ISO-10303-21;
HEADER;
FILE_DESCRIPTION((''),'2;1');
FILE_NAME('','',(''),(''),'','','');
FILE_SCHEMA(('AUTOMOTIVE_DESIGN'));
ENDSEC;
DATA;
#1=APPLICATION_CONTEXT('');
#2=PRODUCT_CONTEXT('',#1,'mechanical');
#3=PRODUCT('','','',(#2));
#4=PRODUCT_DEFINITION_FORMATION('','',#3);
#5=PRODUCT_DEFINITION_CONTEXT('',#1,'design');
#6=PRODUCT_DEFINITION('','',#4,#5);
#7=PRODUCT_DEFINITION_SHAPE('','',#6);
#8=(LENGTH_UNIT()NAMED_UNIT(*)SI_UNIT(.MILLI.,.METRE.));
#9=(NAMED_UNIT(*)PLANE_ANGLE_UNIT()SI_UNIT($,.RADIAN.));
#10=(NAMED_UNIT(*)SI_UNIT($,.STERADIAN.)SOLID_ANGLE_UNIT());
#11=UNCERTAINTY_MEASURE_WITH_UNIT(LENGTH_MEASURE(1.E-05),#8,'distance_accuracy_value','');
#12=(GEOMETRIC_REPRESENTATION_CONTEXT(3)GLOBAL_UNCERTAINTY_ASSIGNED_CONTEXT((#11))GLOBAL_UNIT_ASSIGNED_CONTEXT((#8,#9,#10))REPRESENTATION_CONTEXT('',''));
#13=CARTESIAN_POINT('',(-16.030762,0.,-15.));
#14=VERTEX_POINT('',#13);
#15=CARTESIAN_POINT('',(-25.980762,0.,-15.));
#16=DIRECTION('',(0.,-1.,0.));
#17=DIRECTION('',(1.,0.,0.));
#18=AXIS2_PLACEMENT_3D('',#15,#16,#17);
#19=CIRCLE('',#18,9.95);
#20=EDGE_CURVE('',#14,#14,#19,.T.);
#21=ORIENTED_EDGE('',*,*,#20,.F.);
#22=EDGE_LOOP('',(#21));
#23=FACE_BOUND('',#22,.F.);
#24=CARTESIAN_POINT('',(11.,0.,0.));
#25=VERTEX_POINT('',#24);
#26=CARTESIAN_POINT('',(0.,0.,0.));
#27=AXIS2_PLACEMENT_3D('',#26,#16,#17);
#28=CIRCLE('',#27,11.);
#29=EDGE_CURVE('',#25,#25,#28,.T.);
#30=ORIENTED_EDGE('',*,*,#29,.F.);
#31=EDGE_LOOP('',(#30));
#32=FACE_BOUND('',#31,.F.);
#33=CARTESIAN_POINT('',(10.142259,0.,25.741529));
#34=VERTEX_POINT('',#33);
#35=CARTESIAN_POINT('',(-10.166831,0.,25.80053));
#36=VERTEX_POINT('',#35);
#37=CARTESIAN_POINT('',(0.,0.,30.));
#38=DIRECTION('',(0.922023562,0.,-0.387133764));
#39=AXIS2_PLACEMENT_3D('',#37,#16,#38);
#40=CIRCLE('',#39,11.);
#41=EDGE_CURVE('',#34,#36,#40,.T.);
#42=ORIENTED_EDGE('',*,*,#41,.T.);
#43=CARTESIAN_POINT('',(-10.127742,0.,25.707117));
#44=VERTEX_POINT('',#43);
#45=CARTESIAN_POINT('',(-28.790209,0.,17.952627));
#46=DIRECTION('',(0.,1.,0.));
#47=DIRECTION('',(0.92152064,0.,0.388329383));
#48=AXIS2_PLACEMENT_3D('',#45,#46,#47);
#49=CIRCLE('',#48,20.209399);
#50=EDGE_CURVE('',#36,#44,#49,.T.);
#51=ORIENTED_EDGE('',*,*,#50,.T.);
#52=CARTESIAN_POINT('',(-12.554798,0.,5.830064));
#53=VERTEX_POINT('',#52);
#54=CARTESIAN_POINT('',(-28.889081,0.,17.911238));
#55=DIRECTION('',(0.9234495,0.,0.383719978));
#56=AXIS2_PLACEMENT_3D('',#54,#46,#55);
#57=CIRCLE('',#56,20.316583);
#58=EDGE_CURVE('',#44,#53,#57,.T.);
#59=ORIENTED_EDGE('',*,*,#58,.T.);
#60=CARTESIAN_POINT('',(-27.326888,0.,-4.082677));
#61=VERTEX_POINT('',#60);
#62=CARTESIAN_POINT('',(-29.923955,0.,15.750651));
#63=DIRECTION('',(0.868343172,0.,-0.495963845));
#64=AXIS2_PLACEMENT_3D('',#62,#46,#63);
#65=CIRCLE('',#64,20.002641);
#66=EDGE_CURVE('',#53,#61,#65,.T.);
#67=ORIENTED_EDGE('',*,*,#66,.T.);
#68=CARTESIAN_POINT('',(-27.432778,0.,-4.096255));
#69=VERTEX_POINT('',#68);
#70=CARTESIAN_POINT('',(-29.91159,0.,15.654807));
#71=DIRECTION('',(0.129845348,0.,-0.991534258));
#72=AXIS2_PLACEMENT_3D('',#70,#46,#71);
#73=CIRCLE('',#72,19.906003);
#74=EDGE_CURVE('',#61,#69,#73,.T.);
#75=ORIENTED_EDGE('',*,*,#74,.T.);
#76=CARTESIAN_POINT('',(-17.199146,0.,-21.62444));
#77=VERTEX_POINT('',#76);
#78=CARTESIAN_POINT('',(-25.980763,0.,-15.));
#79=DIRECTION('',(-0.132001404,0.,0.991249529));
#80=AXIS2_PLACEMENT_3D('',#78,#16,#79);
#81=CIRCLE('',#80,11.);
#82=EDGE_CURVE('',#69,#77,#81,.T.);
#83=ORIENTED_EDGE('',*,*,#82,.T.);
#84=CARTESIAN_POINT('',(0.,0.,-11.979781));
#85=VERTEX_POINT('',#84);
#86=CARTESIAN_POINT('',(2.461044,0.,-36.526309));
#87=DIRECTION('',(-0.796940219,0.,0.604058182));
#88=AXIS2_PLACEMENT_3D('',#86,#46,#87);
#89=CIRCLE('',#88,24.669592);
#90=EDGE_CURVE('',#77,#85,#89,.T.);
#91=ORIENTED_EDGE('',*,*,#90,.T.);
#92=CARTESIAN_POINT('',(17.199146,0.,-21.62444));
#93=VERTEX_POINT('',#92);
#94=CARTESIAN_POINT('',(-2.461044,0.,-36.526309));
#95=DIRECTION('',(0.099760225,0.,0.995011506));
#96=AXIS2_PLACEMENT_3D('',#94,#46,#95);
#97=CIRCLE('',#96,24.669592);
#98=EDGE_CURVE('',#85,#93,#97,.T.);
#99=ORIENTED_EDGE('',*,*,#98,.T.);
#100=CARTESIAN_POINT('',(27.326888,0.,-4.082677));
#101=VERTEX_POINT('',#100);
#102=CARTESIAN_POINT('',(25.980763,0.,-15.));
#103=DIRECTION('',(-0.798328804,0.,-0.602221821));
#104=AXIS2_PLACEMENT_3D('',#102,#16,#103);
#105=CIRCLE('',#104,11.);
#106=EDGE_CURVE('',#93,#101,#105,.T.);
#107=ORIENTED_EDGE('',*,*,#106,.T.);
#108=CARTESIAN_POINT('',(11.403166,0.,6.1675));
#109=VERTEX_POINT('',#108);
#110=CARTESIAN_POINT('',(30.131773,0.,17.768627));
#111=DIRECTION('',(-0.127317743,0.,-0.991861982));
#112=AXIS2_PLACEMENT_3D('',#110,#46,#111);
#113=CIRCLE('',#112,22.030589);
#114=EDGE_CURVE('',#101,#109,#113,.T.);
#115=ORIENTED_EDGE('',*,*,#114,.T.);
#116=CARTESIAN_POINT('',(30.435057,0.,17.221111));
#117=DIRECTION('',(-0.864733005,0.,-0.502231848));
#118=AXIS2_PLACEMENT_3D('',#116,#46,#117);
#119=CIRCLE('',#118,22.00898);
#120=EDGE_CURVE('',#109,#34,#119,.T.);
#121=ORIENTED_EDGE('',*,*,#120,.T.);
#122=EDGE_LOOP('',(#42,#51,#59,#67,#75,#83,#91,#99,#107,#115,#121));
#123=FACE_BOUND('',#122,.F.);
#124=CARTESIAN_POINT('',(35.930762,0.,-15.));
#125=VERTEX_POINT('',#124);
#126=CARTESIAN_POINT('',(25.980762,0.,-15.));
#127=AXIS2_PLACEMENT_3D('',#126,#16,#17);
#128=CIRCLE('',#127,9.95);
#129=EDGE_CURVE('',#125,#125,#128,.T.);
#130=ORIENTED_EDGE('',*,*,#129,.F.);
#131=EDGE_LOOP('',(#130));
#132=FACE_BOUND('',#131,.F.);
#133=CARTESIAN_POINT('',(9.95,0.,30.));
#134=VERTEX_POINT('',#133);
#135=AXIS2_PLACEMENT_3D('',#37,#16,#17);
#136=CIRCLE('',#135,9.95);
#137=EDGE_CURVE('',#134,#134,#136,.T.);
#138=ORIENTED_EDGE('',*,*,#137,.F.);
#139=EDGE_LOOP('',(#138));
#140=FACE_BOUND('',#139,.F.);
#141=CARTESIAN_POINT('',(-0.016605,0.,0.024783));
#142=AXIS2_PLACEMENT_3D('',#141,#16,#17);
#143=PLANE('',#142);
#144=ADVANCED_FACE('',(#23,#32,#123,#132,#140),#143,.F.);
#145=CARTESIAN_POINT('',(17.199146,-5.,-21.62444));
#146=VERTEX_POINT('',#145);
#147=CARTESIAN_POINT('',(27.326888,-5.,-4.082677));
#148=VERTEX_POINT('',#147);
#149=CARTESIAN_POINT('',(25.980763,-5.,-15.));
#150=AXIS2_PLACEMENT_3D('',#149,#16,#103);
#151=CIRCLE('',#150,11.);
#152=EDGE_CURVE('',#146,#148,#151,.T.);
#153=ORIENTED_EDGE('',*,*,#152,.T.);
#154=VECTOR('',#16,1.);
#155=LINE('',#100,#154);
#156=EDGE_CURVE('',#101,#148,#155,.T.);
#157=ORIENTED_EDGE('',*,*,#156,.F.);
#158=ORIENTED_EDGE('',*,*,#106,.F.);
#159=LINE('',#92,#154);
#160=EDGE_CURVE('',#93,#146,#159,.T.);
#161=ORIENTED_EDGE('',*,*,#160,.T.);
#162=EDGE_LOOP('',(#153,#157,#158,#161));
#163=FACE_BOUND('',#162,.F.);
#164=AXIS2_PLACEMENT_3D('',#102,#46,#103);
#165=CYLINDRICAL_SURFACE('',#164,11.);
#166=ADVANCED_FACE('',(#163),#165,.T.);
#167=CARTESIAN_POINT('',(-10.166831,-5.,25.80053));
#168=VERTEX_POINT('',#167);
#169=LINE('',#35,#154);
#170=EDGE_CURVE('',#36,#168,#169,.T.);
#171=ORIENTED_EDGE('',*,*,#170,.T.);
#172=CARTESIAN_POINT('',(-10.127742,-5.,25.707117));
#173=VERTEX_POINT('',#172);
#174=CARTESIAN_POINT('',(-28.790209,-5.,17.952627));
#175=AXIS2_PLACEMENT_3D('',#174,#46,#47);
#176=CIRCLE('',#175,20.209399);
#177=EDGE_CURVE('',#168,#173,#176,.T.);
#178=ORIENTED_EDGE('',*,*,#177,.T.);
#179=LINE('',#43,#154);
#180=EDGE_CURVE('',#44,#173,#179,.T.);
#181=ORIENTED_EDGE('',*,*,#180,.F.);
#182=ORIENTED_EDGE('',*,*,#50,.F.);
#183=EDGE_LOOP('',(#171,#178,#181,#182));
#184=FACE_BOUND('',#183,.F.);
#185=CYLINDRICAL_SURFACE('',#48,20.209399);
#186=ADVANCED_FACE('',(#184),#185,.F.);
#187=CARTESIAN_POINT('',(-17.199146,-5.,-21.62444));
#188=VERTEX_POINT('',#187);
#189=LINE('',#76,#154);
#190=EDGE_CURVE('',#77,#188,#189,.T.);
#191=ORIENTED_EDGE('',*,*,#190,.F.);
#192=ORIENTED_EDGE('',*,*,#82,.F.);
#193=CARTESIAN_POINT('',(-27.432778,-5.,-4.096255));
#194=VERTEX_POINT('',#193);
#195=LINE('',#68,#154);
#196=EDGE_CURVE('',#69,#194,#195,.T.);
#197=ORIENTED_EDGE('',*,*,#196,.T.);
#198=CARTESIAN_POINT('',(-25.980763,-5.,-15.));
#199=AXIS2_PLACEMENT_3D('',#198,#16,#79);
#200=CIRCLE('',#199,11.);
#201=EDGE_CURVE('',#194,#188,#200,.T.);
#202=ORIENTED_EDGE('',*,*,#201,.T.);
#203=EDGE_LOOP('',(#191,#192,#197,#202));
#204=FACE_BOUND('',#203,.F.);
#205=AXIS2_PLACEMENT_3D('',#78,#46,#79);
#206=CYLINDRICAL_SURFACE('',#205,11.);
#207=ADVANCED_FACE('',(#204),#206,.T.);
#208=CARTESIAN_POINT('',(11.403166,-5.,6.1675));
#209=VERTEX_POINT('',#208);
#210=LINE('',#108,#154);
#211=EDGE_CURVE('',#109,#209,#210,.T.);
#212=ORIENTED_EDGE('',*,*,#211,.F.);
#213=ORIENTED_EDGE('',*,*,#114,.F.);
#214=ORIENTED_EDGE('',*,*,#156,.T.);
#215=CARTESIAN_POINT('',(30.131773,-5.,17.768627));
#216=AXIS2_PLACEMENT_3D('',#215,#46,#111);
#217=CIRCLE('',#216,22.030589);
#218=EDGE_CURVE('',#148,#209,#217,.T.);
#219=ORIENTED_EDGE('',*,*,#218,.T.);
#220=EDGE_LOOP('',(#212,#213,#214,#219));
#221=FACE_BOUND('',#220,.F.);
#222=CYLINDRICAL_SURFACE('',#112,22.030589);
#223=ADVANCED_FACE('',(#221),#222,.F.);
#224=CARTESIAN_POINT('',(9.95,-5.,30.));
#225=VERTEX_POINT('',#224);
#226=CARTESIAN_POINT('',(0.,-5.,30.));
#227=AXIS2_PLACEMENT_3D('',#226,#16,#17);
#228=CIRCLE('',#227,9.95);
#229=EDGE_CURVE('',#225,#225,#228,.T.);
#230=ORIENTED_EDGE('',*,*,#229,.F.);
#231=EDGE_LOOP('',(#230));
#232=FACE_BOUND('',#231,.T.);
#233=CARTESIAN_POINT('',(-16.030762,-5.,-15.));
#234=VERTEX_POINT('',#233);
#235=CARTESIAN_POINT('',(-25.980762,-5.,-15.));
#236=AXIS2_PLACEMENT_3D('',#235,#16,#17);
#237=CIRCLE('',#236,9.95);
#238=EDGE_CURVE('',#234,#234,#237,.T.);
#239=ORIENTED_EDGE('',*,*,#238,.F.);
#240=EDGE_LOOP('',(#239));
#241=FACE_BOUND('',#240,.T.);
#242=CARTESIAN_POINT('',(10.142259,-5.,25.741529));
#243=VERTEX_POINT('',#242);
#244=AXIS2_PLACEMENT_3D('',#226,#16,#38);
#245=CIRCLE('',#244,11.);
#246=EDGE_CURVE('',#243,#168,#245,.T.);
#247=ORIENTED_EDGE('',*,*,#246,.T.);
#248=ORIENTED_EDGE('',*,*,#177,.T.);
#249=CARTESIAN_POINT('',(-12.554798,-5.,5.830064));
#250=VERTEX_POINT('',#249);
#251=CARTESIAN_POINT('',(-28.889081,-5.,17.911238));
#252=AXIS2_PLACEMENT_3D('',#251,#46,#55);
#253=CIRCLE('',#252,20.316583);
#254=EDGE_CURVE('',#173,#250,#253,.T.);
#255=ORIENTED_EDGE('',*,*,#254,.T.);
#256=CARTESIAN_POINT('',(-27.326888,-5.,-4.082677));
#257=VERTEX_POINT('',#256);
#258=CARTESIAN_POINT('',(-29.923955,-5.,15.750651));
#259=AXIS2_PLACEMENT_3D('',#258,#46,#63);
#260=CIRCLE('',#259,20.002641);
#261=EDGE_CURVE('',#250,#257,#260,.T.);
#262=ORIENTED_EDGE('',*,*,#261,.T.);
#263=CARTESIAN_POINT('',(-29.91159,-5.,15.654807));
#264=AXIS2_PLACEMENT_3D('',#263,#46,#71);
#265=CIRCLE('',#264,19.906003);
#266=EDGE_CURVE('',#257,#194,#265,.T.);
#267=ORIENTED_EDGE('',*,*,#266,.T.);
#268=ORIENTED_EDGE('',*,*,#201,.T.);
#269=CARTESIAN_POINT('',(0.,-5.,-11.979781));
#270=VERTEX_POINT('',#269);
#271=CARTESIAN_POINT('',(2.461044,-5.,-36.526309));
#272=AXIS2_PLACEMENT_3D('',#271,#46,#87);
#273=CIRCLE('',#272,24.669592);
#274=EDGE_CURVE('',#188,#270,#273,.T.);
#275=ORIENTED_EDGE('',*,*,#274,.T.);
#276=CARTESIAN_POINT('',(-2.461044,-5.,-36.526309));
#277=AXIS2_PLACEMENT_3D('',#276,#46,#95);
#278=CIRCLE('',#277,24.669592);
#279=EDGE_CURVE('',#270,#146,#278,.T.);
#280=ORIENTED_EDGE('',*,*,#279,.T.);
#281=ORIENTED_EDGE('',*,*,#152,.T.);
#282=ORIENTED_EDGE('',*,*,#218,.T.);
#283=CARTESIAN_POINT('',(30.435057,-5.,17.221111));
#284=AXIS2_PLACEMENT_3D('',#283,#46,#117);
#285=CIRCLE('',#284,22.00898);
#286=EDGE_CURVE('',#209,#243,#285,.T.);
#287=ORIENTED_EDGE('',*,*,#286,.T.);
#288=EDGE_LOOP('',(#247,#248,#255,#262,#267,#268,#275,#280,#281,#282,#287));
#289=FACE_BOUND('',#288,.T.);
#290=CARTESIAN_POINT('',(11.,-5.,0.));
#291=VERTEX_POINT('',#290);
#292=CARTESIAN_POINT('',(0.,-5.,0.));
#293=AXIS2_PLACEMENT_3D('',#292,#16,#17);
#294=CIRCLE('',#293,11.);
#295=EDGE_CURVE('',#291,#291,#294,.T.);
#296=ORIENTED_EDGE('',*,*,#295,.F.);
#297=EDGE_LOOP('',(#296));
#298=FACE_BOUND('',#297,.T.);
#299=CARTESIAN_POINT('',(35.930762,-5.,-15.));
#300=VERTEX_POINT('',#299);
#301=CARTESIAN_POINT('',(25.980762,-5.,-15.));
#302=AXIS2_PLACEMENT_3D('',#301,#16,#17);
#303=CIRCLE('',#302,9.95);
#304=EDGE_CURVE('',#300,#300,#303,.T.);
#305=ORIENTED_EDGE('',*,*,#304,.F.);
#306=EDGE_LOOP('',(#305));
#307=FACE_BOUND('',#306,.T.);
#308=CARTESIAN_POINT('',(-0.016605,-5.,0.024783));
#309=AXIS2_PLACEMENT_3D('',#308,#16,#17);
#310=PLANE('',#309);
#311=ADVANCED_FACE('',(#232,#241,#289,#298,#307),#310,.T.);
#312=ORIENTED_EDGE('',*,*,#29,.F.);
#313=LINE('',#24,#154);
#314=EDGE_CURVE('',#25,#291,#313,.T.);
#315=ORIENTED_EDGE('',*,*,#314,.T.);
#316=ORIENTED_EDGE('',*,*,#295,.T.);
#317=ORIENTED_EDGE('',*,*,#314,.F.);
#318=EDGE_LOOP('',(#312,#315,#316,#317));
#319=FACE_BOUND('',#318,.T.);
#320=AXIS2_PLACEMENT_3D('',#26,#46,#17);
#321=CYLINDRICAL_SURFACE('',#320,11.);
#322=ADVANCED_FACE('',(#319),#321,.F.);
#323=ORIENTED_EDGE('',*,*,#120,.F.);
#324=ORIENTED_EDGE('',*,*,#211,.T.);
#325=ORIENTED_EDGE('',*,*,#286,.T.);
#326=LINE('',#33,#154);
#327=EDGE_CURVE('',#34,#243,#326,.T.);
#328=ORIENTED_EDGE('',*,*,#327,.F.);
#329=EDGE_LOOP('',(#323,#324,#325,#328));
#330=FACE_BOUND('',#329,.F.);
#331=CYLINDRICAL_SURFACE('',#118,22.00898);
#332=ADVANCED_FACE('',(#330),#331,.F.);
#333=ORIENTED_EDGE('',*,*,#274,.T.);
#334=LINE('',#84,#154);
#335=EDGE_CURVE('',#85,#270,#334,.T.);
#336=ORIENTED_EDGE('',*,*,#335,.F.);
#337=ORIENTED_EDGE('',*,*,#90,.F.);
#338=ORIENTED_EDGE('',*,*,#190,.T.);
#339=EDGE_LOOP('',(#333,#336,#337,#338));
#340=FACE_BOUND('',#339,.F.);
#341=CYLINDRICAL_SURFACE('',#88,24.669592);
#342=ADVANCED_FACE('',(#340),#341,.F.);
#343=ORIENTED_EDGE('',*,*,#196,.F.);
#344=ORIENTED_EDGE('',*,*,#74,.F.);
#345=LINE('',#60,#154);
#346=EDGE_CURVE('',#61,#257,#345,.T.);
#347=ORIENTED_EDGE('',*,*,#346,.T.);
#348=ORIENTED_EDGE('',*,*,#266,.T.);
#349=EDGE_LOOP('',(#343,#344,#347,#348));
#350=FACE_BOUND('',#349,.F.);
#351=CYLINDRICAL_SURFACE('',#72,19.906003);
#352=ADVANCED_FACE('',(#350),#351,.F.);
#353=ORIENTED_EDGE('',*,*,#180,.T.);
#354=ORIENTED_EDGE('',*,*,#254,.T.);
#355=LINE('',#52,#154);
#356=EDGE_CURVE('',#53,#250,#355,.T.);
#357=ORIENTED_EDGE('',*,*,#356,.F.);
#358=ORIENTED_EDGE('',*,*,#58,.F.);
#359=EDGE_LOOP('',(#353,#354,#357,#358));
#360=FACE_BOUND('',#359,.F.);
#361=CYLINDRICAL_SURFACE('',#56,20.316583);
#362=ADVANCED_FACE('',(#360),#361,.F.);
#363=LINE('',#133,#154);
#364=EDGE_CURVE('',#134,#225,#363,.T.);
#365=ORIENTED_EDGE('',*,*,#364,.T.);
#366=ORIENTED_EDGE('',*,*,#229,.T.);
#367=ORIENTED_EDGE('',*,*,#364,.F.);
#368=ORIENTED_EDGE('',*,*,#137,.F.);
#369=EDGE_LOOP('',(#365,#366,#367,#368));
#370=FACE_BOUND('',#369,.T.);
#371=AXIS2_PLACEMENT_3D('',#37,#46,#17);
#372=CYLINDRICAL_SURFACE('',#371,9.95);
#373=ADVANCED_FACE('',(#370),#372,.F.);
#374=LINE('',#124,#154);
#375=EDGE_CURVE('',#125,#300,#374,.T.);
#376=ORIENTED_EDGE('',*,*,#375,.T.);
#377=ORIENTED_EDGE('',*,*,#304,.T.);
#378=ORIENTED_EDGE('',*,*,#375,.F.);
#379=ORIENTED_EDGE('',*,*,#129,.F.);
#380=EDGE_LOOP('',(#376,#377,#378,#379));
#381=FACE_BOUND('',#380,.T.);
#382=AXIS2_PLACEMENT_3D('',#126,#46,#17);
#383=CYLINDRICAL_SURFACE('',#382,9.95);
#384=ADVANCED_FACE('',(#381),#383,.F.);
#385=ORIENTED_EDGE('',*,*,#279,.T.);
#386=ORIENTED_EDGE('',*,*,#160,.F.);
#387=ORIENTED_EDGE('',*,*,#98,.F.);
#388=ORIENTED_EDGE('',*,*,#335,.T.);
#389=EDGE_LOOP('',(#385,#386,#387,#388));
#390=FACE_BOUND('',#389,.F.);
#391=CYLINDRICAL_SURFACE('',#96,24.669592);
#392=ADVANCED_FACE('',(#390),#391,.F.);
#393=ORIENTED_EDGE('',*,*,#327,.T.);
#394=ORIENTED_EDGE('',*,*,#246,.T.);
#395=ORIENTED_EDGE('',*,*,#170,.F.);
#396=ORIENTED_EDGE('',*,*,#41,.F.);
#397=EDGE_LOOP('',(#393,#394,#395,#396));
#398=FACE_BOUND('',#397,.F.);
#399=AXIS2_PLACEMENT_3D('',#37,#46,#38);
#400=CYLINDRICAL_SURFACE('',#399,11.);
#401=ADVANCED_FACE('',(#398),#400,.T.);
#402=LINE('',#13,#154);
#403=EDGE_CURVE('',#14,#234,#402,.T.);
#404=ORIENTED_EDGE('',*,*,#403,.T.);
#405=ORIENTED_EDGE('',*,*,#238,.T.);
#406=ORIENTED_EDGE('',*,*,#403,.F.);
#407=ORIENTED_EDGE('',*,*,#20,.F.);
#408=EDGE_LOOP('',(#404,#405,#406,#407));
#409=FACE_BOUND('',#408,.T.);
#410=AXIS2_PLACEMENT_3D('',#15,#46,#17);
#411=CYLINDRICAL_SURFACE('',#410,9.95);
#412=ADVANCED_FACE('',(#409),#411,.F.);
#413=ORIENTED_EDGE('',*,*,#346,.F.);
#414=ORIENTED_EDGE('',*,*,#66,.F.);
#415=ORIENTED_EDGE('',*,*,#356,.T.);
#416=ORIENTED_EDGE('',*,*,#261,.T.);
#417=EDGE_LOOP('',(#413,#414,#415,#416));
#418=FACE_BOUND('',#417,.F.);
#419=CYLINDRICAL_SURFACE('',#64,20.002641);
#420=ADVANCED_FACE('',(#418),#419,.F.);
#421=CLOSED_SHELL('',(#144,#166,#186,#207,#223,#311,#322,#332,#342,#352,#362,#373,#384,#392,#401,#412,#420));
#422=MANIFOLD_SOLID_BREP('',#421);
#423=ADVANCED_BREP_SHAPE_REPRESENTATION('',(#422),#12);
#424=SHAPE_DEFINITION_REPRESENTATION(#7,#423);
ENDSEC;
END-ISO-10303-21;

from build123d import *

# Parameters (mm, degrees)
F0_R     = 9.95
F0_R_2   = 11
F1_DEPTH = 5


with BuildPart() as f1:
    # F0 (on Front) → F1 (new body)
    with BuildSketch(Plane.XZ):
        with BuildLine():
            ThreePointArc((11.403166, 6.1675), (8.4716, 15.806283), (10.142259, 25.741529))
            ThreePointArc((10.142259, 25.741529), (0.031956, 40.999954), (-10.166831, 25.80053))
            ThreePointArc((-10.166831, 25.80053), (-10.147228, 25.753848), (-10.127742, 25.707117))
            ThreePointArc((-10.127742, 25.707117), (-8.722277, 15.448803), (-12.554798, 5.830064))
            ThreePointArc((-12.554798, 5.830064), (-18.778187, -0.85891), (-27.326888, -4.082677))
            ThreePointArc((-27.326888, -4.082677), (-27.379824, -4.089537), (-27.432778, -4.096255))
            ThreePointArc((-27.432778, -4.096255), (-35.48024, -20.546163), (-17.199146, -21.62444))
            ThreePointArc((-17.199146, -21.62444), (-9.605112, -15.008952), (0, -11.979781))
            ThreePointArc((0, -11.979781), (9.605112, -15.008952), (17.199146, -21.62444))
            ThreePointArc((17.199146, -21.62444), (35.507042, -20.5), (27.326888, -4.082677))
            ThreePointArc((27.326888, -4.082677), (18.207455, -0.755884), (11.403166, 6.1675))
        make_face()
        with Locations((-25.980762, -15)):
            Circle(F0_R, mode=Mode.SUBTRACT)
        with Locations((25.980762, -15)):
            Circle(F0_R, mode=Mode.SUBTRACT)
        Circle(F0_R_2, mode=Mode.SUBTRACT)
        with Locations((0, 30)):
            Circle(F0_R, mode=Mode.SUBTRACT)
    extrude(amount=F1_DEPTH)


solid = f1.part
